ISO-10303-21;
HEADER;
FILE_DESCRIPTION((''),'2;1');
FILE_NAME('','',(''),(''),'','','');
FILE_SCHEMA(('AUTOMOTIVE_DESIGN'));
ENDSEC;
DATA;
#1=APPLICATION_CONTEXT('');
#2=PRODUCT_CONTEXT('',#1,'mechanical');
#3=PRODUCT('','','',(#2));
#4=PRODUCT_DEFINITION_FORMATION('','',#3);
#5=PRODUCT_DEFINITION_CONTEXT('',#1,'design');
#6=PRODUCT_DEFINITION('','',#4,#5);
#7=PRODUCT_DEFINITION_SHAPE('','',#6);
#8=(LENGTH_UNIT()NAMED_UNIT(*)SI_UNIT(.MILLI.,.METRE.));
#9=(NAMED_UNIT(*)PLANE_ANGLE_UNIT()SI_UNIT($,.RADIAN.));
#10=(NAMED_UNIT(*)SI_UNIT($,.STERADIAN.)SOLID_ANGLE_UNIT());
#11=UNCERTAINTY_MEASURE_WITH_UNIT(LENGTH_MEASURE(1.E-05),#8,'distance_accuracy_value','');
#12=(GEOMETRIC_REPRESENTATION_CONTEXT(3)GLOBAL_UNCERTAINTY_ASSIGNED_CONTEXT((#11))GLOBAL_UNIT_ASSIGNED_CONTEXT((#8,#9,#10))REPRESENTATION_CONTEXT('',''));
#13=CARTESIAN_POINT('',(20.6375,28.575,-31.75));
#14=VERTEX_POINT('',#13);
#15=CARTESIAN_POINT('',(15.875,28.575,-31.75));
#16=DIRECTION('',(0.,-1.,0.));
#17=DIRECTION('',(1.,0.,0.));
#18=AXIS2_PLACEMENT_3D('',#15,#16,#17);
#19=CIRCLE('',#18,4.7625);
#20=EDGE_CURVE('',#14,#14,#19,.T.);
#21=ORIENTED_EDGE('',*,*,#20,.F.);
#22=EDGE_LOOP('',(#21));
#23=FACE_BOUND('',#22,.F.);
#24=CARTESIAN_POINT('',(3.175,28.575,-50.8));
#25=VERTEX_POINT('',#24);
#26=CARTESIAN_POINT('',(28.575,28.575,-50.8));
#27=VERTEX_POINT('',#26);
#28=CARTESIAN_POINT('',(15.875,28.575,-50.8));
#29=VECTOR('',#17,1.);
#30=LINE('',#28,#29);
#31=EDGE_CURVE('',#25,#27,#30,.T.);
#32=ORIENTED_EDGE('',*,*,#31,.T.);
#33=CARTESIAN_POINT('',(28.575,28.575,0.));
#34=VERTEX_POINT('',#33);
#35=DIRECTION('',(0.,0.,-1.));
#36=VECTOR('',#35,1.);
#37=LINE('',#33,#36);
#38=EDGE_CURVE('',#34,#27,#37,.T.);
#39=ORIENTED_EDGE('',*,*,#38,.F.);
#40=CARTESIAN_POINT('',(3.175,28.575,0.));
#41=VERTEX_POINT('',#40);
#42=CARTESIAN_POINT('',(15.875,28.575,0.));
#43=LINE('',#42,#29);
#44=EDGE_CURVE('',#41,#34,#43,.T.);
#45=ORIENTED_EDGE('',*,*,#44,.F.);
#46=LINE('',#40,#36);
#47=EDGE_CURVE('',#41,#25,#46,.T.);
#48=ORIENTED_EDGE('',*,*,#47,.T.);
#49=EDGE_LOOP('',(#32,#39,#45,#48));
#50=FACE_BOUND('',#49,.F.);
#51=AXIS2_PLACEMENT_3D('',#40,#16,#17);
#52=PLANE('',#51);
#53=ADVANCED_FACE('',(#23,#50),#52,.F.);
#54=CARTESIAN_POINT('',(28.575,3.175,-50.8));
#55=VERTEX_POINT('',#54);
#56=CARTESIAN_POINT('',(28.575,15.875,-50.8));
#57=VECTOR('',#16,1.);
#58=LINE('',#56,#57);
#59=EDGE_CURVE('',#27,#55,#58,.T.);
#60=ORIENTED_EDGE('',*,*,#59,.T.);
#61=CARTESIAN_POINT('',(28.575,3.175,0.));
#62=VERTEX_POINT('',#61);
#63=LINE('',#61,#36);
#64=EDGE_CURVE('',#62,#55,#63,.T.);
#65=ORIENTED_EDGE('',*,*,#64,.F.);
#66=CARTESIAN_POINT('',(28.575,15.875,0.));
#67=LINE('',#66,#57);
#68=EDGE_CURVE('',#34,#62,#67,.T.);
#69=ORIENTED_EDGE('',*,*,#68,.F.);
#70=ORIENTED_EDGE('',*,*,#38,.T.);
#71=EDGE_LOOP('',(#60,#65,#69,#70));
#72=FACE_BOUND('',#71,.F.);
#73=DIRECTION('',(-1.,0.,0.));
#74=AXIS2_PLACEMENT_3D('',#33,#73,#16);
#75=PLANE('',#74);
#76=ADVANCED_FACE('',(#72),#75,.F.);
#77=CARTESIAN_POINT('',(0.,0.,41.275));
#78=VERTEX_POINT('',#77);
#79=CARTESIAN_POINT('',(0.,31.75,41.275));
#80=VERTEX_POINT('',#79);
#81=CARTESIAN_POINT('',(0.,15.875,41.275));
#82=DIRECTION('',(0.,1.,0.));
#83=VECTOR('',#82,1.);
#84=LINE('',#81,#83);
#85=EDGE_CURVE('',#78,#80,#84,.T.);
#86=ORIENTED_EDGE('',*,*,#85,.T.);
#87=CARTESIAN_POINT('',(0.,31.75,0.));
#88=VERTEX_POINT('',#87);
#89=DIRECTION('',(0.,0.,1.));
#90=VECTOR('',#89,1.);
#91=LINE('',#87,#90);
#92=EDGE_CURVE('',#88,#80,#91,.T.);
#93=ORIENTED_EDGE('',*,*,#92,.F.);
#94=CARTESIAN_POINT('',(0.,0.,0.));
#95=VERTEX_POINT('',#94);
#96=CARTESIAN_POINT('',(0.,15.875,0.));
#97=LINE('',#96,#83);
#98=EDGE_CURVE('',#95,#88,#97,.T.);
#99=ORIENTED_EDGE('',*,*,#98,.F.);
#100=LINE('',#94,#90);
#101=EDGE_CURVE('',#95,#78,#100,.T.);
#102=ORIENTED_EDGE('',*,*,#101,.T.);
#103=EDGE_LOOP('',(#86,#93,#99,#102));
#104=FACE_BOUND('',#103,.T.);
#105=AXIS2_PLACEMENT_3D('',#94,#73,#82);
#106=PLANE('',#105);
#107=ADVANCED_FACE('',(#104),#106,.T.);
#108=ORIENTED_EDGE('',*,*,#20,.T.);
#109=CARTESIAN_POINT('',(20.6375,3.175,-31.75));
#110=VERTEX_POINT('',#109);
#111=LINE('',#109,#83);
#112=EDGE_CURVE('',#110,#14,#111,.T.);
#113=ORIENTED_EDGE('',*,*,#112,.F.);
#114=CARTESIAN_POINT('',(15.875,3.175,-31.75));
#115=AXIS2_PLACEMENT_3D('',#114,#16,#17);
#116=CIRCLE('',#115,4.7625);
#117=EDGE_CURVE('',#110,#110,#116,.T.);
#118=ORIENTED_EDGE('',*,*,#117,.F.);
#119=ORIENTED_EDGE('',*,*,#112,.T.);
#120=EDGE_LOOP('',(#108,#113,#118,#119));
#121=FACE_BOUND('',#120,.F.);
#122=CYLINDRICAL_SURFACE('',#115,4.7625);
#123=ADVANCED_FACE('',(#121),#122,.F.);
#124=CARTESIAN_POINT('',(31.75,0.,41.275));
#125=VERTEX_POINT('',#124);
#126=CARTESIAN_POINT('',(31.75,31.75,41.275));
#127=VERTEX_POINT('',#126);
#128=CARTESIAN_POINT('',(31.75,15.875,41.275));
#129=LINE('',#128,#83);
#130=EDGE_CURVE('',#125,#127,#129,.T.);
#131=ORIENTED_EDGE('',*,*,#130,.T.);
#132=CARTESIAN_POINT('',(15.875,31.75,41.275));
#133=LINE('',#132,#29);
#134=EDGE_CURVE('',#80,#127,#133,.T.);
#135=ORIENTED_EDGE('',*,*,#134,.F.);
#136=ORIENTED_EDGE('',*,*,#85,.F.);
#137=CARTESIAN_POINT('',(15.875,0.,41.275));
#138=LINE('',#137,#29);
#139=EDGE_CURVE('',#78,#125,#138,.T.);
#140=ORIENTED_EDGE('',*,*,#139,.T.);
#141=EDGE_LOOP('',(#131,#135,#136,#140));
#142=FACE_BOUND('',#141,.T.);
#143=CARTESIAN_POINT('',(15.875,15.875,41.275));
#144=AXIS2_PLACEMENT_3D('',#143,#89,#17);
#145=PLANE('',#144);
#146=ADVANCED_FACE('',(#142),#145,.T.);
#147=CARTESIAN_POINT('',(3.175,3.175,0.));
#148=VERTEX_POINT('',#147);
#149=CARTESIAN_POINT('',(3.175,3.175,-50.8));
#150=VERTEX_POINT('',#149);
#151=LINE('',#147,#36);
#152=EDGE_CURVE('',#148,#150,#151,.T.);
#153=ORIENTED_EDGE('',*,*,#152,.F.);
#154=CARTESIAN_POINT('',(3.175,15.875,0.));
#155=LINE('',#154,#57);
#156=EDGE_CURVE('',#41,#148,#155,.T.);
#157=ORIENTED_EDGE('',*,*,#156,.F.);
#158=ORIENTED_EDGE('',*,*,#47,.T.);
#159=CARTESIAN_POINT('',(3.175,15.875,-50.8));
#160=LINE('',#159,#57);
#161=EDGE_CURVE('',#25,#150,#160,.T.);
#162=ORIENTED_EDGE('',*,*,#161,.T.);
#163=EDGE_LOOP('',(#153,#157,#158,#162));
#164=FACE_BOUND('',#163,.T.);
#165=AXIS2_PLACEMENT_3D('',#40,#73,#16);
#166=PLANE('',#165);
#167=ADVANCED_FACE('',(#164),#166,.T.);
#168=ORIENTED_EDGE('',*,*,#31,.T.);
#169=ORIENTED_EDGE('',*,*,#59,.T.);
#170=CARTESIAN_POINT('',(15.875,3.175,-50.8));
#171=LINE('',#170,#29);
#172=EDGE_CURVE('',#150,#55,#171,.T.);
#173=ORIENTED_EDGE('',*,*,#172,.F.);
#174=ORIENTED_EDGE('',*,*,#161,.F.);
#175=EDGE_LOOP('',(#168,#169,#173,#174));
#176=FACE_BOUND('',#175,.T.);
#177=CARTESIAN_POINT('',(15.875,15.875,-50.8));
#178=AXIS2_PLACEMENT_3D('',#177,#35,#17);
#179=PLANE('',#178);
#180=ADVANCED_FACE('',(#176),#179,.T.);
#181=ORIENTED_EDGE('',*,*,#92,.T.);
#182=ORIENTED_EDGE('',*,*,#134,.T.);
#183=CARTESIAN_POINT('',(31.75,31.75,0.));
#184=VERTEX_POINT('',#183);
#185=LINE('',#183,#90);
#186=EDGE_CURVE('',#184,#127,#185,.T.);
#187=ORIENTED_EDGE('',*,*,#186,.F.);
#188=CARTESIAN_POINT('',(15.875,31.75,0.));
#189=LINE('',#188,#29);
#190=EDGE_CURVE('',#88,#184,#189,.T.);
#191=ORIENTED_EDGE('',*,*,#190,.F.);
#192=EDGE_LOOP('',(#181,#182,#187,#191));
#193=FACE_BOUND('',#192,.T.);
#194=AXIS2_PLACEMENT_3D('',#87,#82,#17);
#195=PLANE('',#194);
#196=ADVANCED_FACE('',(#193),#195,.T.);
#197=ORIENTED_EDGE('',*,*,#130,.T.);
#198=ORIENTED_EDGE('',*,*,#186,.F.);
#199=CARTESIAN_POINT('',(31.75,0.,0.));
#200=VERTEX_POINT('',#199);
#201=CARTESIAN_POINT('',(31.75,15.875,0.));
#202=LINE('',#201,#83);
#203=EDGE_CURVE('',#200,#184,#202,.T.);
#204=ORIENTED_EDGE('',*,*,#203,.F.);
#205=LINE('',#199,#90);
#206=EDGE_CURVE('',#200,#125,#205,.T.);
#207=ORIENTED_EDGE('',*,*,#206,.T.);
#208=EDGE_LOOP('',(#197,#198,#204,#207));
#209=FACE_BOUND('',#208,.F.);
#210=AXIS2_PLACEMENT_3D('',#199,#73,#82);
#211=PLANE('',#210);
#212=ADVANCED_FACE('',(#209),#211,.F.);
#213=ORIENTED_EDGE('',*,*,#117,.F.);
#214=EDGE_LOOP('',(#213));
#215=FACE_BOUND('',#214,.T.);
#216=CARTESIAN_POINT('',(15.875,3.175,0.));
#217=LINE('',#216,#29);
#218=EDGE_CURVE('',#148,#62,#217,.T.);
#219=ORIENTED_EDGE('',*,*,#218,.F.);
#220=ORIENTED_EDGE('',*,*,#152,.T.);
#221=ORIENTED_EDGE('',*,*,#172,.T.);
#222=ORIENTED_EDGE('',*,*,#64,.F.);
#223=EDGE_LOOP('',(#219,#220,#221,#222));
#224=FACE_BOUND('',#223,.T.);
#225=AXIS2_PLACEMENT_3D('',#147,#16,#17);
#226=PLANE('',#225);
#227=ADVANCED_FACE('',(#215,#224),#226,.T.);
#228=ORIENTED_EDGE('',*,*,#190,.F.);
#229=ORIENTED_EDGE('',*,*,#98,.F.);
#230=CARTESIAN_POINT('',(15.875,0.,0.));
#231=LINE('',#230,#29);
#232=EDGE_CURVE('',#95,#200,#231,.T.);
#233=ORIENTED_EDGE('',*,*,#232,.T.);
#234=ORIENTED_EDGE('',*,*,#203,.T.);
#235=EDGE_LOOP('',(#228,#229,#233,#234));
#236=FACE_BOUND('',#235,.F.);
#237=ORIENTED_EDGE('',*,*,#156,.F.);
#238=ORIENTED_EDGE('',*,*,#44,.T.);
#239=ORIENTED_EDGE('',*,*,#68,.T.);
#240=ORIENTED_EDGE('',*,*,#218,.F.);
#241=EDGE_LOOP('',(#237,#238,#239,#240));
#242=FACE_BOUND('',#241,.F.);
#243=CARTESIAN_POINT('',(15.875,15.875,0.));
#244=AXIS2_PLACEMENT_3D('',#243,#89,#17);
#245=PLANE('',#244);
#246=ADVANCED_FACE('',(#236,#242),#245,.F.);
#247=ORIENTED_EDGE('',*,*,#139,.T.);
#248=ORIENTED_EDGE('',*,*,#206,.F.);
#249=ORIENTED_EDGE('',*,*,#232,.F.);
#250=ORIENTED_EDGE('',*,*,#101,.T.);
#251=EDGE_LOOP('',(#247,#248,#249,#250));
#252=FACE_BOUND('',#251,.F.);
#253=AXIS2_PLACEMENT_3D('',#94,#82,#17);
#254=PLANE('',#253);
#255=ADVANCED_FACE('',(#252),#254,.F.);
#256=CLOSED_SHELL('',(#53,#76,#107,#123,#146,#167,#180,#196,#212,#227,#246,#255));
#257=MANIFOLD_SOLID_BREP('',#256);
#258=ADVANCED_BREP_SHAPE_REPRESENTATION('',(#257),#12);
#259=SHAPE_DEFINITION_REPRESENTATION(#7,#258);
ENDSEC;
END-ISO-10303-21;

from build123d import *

# Parameters (mm, degrees)
F0_W     = 31.75
F0_H     = 31.75
F1_DEPTH = 41.275
F2_W     = 25.4
F2_H     = 25.4
F3_DEPTH = 50.8
F4_R     = 4.7625
F5_DEPTH = 28.576


with BuildPart() as f1:
    # F0 (on Top) → F1 (new body)
    with BuildSketch(Plane.XY):
        with Locations((15.875, 15.875)):
            Rectangle(F0_W, F0_H)
    extrude(amount=F1_DEPTH)

    # F2 (on face) → F3 (join)
    with BuildSketch(Plane(origin=(0, 0, 0), x_dir=(1, 0, 0), z_dir=(0, 0, -1))):
        with Locations((15.875, -15.875)):
            Rectangle(F2_W, F2_H)
    extrude(amount=F3_DEPTH)

    # F4 (on face) → F5 (cut, through all)
    with BuildSketch(Plane.XZ.offset(-3.175)):
        with Locations((15.875, -31.75)):
            Circle(F4_R)
    extrude(amount=-F5_DEPTH, mode=Mode.SUBTRACT)


solid = f1.part
